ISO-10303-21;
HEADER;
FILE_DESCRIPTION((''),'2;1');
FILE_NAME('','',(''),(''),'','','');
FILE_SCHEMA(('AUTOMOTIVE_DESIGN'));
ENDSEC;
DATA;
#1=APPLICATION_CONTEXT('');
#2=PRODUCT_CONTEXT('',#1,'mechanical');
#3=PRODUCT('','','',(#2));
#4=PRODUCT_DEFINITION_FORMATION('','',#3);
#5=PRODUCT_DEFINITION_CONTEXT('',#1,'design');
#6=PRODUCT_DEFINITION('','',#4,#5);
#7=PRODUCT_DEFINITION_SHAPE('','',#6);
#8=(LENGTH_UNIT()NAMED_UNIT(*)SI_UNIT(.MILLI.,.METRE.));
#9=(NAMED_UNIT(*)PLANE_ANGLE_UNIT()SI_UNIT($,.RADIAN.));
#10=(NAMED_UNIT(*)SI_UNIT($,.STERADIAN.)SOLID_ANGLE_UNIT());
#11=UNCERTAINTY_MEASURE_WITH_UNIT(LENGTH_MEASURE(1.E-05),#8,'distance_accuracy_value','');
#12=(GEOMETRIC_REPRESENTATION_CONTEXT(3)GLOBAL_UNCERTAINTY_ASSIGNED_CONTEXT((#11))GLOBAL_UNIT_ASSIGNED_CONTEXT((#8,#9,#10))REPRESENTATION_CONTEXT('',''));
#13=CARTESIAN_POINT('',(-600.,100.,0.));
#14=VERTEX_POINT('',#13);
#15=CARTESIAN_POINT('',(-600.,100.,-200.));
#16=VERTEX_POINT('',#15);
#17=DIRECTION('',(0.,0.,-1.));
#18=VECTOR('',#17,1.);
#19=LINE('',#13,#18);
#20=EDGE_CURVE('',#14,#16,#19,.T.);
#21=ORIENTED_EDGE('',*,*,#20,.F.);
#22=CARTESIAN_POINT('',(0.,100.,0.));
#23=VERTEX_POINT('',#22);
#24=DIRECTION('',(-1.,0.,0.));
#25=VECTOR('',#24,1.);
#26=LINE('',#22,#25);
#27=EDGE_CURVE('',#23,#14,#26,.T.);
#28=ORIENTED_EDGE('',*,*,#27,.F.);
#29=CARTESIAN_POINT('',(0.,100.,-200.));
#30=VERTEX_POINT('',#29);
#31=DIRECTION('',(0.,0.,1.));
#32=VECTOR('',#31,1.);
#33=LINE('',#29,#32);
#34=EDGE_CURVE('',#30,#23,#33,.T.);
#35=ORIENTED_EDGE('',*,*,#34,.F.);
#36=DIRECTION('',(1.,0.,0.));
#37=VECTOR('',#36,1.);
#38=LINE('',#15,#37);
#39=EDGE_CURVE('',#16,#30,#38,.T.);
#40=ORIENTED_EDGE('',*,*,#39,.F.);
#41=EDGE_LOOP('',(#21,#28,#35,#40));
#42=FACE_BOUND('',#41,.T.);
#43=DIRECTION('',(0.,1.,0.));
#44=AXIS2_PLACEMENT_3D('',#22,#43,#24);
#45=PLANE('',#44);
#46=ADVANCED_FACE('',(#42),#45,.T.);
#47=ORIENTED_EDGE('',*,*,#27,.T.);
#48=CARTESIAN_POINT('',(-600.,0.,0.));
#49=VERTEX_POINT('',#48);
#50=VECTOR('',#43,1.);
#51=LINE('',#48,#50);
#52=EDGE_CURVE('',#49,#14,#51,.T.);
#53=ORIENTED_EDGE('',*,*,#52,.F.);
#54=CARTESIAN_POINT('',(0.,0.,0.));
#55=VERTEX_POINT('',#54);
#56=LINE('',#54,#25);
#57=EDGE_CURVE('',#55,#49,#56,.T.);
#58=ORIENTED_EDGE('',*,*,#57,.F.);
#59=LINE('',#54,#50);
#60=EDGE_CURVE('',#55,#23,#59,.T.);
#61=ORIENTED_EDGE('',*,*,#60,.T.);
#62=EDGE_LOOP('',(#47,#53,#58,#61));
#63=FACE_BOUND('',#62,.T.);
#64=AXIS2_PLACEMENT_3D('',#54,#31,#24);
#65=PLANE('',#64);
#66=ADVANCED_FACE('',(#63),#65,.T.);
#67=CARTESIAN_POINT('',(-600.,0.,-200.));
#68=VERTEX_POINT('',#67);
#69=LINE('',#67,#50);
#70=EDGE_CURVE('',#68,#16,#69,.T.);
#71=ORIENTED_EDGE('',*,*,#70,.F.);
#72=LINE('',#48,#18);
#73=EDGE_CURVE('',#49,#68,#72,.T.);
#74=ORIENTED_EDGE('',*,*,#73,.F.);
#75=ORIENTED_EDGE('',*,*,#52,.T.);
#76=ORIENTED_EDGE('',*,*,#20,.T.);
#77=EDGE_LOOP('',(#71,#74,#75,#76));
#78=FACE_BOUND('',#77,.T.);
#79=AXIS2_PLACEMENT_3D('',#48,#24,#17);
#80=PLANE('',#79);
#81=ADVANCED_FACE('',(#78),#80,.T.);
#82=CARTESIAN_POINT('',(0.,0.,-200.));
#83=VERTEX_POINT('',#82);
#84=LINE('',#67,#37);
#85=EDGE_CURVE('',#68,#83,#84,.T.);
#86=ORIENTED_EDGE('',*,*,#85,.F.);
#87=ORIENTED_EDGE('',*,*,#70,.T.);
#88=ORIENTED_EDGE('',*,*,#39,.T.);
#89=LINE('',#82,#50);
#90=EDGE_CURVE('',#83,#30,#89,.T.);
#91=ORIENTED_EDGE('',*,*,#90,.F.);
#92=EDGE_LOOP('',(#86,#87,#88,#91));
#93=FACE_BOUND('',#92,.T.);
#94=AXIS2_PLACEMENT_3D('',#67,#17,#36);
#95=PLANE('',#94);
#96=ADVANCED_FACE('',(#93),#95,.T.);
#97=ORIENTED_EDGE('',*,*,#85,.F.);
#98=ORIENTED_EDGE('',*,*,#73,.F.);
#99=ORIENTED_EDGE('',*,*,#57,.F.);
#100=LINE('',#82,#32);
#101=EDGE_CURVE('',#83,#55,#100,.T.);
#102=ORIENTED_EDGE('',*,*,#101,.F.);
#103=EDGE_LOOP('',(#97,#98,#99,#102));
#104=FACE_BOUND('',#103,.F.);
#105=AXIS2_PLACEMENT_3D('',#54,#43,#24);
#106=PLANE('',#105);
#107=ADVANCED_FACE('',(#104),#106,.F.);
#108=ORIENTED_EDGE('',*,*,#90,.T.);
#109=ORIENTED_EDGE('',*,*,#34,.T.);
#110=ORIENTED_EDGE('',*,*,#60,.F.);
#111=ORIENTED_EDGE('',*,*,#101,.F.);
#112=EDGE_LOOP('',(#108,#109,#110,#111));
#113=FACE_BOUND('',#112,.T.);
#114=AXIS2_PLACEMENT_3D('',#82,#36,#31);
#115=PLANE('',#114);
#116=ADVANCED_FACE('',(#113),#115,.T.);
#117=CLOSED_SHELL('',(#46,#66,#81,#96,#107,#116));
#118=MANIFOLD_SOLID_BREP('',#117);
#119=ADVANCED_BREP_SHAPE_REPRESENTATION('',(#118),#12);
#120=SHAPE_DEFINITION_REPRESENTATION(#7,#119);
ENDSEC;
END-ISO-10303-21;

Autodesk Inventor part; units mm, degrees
ref_plane "YZ Plane" through (0, 0, 0) normal (1, 0, 0) x (0, 1, 0)
ref_plane "XZ Plane" through (0, 0, 0) normal (0, 1, 0) x (-1, 0, 0)
ref_plane "XY Plane" through (0, 0, 0) normal (0, 0, 1) x (1, 0, 0)
sketch "Sketch1" plane through (0, 0, 0) normal (0, 1, 0) x (-1, 0, 0)
  line L0 (0, 0) -> (600, 0)
  line L1 (600, 0) -> (600, -200)
  line L2 (600, -200) -> (0, -200)
  line L3 (0, -200) -> (0, 0)
  dimension "d2" = 200
  dimension "d3" = 600
extrude "Extrusion1" add sketch "Sketch1" along normal blind 100
properties part number "collision_big_box" material "Glass"
